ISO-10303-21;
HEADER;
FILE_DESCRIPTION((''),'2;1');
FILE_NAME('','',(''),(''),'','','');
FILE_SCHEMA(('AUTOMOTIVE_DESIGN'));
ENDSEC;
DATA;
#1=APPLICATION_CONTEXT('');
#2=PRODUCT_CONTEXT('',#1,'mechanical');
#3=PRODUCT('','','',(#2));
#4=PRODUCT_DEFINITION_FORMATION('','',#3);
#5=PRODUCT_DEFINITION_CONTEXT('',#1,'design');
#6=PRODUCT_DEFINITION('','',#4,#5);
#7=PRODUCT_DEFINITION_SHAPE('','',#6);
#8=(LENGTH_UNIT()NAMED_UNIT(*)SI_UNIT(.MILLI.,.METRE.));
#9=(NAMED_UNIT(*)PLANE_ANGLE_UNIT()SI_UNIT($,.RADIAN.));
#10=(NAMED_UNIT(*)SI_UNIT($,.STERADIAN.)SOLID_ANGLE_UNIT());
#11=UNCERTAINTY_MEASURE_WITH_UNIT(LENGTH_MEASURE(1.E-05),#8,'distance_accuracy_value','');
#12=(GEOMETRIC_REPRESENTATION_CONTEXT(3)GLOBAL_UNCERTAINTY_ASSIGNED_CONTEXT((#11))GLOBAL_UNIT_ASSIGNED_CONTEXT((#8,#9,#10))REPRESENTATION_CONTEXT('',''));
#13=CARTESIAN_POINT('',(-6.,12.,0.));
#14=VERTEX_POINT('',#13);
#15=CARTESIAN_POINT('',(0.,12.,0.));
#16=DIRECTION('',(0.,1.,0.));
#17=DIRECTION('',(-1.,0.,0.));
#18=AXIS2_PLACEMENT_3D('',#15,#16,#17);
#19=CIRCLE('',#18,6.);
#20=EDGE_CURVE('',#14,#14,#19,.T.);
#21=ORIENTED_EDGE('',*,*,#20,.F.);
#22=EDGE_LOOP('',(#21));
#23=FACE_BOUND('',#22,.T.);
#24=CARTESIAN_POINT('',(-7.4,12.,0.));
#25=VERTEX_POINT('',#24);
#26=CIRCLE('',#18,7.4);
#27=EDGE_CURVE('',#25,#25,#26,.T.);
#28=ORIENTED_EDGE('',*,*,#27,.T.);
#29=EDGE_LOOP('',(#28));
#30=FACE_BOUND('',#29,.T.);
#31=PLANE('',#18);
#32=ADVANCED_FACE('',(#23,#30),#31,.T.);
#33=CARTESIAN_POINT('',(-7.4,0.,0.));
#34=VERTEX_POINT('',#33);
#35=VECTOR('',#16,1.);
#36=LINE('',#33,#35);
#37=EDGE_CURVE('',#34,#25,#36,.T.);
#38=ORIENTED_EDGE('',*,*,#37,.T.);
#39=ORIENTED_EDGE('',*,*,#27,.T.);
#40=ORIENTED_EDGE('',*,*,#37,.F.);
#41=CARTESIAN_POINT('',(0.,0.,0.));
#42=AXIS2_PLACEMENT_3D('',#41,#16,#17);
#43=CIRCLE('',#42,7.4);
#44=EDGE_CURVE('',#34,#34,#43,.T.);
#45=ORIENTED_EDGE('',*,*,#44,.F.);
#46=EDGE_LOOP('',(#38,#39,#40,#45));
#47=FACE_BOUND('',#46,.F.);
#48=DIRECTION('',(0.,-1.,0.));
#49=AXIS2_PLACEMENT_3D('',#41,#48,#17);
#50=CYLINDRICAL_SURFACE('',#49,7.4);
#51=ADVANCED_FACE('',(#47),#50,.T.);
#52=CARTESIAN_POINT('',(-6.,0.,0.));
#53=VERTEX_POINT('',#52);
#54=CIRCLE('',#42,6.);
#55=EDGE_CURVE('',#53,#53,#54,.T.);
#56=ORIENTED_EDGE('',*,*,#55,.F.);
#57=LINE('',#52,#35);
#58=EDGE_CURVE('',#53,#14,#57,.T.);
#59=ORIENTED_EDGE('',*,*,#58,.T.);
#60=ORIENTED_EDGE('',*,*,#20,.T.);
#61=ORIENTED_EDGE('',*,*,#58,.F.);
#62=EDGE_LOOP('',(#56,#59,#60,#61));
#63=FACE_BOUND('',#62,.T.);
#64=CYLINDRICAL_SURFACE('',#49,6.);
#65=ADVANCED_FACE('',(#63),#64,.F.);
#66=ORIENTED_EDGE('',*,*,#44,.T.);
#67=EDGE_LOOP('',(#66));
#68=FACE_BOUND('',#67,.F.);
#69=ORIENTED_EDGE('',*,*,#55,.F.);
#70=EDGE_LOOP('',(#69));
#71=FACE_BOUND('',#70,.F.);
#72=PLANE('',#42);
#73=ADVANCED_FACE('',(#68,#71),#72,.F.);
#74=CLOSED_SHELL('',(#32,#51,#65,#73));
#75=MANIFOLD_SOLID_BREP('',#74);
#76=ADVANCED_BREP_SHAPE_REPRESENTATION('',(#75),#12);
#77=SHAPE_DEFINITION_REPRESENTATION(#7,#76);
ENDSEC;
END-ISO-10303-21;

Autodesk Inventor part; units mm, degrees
ref_plane "YZ Plane" through (0, 0, 0) normal (1, 0, 0) x (0, 1, 0)
ref_plane "XZ Plane" through (0, 0, 0) normal (0, 1, 0) x (-1, 0, 0)
ref_plane "XY Plane" through (0, 0, 0) normal (0, 0, 1) x (1, 0, 0)
sketch "Sketch1" plane through (0, 0, 0) normal (0, 1, 0) x (-1, 0, 0)
  circle A0 centre (0, 0) radius 6
  circle A1 centre (0, 0) radius 7.4
  dimension "d0" = 12
  dimension "d1" = 14.8
extrude "Extrusion1" add sketch "Sketch1" along normal blind 12
properties part number "KN-00-02-15" material "PET Plastic"
